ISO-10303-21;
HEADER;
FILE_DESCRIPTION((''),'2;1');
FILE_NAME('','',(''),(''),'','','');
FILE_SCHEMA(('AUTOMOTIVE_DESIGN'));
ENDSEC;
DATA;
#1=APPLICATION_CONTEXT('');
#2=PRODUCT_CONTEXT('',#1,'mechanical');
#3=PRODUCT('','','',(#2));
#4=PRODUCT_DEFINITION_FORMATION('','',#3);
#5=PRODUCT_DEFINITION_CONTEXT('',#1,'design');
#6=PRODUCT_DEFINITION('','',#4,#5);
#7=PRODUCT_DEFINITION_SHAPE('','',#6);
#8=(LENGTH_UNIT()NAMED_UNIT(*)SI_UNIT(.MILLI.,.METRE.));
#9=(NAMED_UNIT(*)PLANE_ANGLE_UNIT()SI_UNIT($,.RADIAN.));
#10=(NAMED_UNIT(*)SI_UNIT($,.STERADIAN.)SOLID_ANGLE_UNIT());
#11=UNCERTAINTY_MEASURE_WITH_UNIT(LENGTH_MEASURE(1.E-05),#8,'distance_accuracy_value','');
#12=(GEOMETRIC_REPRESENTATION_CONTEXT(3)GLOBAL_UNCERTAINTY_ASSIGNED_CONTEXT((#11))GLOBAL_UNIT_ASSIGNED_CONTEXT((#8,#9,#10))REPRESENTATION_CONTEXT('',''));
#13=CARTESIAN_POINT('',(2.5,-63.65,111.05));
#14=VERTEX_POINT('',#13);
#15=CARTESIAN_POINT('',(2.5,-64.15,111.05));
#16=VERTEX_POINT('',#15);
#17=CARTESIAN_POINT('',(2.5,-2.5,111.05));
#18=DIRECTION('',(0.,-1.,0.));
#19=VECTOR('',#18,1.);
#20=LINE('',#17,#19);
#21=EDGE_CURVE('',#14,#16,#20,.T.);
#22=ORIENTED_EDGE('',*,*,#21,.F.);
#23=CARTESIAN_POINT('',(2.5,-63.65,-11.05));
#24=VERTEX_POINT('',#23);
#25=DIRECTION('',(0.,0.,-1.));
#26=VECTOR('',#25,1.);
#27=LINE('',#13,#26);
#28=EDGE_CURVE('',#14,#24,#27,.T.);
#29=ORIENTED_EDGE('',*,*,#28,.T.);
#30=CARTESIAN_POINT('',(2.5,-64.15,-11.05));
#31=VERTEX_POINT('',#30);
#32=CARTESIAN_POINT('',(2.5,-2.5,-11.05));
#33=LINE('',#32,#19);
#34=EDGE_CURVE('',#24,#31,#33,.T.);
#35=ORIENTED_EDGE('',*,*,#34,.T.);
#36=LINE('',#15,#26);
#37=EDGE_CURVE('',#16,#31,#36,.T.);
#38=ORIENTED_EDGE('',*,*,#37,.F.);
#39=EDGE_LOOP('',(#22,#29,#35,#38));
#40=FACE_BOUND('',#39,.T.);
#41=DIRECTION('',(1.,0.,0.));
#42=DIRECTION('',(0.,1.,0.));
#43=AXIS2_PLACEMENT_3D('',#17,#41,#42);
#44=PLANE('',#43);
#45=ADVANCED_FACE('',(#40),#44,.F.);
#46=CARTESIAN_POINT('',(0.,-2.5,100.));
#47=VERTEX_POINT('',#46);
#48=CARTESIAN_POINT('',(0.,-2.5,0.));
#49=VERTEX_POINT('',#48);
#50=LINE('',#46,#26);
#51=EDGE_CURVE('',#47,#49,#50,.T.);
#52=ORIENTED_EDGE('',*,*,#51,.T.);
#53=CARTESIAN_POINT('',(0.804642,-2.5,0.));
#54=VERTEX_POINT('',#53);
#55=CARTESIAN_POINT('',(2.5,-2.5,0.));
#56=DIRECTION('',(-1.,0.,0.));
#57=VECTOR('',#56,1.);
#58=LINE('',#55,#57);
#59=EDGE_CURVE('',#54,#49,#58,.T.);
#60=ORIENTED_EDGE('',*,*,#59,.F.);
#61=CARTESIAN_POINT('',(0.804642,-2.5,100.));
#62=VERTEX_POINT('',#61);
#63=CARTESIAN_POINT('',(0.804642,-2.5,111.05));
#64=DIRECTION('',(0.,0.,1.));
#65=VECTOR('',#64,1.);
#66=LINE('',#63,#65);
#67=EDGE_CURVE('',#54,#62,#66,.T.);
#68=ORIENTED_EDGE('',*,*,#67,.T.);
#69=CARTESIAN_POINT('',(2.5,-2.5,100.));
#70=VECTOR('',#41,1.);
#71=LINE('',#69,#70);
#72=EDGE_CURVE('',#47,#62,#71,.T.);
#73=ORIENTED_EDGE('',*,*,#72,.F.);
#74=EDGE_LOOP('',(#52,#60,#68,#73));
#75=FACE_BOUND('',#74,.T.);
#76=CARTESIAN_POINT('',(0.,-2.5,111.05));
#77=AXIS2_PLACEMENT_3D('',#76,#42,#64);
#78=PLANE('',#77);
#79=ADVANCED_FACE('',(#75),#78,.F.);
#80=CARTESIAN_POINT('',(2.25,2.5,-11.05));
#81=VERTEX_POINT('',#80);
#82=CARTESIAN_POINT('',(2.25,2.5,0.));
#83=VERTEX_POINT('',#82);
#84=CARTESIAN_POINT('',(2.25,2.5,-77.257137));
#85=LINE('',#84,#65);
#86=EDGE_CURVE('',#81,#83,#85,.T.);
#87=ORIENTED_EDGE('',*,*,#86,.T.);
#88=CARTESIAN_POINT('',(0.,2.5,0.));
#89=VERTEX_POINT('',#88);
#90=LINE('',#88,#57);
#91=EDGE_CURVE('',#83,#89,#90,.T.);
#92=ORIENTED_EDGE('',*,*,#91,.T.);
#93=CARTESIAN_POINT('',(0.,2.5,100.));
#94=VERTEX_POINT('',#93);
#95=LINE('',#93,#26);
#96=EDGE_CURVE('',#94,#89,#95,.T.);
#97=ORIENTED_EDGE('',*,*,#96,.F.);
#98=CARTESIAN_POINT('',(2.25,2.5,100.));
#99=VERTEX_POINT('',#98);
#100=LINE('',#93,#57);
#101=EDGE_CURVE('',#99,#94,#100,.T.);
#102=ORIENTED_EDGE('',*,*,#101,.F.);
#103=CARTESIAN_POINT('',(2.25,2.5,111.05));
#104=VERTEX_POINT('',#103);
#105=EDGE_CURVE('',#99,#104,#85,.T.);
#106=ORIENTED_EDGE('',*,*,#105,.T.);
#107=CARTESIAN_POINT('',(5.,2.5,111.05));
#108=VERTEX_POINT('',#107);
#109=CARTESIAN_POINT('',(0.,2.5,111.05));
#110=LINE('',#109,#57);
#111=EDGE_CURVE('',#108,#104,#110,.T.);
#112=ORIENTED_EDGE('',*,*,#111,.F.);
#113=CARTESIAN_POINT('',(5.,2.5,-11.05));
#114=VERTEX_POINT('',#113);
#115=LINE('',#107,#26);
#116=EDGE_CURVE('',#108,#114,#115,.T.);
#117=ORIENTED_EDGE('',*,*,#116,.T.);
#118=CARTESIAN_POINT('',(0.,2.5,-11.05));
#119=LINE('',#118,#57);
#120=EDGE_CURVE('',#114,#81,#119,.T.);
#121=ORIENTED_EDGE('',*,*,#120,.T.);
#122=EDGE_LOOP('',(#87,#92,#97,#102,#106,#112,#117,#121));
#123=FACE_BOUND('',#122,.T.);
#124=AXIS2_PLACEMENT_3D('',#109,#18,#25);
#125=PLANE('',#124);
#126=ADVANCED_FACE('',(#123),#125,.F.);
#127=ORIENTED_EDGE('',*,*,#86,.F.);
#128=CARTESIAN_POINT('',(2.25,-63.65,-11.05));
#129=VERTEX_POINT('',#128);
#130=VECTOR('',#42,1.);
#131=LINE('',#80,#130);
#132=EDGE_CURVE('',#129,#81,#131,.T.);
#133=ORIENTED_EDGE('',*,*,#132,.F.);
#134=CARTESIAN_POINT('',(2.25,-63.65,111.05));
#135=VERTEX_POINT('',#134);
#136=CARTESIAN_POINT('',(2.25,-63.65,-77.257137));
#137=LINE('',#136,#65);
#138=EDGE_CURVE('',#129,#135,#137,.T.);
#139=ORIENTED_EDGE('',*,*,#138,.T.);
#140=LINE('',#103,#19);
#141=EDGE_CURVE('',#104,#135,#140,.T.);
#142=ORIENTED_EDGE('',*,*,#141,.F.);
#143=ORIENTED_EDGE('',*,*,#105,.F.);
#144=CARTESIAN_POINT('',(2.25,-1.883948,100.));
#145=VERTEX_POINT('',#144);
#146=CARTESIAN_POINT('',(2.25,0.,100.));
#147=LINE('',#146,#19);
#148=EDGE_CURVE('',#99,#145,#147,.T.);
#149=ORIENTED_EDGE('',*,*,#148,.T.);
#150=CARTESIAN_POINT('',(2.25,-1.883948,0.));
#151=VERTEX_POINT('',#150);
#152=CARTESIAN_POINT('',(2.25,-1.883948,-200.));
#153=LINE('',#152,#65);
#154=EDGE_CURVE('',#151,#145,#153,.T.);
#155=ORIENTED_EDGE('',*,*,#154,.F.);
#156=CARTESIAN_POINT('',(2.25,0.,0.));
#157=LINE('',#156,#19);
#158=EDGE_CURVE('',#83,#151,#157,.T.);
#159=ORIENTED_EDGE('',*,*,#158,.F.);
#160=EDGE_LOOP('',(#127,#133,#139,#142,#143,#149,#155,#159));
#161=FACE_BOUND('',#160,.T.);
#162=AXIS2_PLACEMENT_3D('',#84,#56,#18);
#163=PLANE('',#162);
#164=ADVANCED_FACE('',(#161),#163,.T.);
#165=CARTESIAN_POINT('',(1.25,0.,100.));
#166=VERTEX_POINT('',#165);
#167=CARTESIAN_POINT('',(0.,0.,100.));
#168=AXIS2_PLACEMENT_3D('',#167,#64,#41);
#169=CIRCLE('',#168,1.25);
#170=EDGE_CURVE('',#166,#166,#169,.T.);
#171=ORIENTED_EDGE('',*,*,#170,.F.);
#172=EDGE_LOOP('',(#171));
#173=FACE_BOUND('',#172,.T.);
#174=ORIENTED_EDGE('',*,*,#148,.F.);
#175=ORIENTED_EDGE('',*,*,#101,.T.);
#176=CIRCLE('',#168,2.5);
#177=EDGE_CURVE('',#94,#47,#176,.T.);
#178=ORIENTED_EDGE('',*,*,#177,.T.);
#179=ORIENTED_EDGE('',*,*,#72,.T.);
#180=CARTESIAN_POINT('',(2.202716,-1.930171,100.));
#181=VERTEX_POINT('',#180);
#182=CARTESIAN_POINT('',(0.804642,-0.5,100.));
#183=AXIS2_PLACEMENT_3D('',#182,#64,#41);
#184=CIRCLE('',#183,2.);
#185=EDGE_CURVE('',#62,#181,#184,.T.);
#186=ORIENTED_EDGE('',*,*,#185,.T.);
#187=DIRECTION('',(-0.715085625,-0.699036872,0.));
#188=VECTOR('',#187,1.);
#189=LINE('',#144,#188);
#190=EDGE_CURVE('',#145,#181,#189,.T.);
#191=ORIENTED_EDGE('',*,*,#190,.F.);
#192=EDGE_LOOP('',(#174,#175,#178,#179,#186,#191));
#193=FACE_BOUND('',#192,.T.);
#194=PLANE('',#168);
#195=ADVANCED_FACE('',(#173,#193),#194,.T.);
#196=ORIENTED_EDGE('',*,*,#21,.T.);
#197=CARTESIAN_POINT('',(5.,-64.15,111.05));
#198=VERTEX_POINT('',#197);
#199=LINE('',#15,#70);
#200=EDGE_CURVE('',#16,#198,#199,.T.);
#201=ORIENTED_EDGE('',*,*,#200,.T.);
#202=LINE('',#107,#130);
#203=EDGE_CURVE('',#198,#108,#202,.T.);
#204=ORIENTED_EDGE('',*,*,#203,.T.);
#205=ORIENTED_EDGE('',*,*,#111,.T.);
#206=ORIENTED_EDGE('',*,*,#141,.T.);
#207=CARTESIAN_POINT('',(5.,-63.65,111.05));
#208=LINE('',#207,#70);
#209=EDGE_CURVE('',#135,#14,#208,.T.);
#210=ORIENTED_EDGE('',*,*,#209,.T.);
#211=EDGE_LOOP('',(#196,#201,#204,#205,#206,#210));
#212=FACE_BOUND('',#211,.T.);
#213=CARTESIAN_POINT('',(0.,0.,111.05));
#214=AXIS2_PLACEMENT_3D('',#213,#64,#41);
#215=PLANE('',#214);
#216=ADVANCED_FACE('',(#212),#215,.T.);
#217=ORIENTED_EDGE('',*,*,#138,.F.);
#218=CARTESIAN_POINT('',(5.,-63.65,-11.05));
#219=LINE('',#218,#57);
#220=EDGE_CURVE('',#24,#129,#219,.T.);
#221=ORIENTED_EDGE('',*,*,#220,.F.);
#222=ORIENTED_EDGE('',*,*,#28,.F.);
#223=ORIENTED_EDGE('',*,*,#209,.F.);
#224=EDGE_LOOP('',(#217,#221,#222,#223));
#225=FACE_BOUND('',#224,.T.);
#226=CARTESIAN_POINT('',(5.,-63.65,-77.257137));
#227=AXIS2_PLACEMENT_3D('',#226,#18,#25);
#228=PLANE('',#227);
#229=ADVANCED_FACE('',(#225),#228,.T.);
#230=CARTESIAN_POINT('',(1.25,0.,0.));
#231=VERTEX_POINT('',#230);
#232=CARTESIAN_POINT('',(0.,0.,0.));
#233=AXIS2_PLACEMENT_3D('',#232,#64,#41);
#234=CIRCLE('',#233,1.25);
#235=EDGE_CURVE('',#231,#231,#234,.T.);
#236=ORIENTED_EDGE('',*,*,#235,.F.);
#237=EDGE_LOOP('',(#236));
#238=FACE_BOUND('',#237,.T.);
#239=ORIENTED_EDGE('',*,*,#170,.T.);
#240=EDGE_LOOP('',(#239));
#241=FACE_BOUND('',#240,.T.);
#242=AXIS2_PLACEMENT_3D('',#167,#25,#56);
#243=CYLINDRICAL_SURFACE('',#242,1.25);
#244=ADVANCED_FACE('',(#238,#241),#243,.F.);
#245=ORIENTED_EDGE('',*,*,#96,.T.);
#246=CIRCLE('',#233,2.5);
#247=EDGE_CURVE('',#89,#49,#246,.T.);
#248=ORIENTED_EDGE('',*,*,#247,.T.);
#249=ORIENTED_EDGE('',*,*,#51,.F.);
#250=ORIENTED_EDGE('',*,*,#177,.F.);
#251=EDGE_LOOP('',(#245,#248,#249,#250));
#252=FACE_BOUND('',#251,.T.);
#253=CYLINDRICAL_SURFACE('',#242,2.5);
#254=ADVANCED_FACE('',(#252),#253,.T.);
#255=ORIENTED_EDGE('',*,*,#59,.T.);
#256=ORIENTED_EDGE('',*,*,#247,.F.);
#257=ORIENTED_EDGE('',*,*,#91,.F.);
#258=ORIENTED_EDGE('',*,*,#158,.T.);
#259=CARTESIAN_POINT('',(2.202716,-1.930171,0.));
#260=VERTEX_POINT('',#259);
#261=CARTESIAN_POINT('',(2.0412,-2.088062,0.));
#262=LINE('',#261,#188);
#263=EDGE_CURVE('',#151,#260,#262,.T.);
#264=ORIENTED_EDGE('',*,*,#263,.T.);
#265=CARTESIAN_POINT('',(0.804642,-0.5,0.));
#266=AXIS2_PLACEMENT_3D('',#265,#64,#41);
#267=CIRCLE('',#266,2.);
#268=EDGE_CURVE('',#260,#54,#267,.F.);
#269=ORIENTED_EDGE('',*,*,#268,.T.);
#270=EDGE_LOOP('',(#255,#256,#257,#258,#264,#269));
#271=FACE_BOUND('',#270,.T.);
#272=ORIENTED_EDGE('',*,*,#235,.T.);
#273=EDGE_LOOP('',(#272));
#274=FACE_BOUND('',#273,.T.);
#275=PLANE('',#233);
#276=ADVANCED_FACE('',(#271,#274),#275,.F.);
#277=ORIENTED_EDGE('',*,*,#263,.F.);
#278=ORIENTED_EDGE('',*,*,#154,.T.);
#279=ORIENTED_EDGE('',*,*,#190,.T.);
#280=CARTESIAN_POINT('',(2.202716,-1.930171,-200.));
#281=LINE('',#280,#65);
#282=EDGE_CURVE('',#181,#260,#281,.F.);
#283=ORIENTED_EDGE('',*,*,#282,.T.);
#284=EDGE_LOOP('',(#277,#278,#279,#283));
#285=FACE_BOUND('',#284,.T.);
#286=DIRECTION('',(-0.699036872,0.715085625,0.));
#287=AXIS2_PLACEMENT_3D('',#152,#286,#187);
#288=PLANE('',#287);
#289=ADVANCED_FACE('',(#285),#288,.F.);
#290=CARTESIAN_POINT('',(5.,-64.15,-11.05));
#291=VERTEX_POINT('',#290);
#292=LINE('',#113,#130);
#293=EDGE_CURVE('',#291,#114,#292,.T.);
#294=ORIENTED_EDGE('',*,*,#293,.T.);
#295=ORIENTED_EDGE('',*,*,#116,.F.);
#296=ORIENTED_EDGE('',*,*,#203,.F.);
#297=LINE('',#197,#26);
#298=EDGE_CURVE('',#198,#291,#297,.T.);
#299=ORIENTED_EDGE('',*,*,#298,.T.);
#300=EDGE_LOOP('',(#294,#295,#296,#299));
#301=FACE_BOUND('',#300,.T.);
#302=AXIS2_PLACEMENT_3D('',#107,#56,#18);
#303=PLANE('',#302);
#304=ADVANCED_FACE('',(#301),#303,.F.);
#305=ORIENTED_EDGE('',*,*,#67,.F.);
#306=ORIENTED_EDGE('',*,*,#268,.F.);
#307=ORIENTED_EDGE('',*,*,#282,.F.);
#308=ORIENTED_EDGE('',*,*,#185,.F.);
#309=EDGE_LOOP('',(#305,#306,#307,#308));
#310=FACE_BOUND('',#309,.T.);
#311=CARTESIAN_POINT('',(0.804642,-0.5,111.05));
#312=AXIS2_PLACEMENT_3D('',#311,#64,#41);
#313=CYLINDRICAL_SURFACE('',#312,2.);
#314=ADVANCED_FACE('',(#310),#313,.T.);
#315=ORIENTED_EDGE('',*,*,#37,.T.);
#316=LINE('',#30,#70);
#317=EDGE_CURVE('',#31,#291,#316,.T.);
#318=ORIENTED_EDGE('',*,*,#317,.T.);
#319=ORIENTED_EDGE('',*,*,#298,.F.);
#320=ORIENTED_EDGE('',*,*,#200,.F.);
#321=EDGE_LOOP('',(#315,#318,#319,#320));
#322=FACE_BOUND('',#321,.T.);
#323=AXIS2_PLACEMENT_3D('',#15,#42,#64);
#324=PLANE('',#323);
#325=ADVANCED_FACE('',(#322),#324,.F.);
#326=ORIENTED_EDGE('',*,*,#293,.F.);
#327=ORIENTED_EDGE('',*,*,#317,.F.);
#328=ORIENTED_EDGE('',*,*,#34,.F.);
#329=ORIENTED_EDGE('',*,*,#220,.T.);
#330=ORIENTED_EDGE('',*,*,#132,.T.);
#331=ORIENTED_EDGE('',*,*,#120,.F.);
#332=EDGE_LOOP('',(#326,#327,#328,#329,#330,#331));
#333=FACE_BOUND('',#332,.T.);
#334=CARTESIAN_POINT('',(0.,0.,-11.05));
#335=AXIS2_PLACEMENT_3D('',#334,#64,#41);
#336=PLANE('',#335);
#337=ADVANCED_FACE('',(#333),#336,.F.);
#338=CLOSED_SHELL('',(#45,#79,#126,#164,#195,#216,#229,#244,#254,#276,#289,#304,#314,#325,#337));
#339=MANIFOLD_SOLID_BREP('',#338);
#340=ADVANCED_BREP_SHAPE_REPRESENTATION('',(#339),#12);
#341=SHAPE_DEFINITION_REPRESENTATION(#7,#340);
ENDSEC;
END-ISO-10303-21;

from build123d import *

# Parameters (mm, degrees)
SCHIZZO4_R                   = 2.5
SCHIZZO4_R_2                 = 1.25
ESTRUSIONE_ESTRUSIONE3_DEPTH = 100
ESTRUSIONE_ESTRUSIONE4_DEPTH = 61.05
SCHIZZO6_W                   = 8.237008172
SCHIZZO6_H                   = 5.970383375
TAGLIO_ESTRUSIONE2_DEPTH     = 119.1
SCHIZZO7_W                   = 6.014694103
SCHIZZO7_H                   = 5.674261039
TAGLIO_ESTRUSIONE3_DEPTH     = 119.1
ESTRUSIONE_ESTRUSIONE5_REACH = 140.017
SCHIZZO8_W                   = 2.75
SCHIZZO8_H                   = 66.15
TAGLIO_ESTRUSIONE4_DEPTH     = 300
RACCORDO1_R                  = 2


with BuildPart() as part:
    # Schizzo4 → Estrusione-Estrusione3 (new body)
    with BuildSketch(Plane.XY):
        Circle(SCHIZZO4_R)
        Circle(SCHIZZO4_R_2, mode=Mode.SUBTRACT)
    extrude(amount=ESTRUSIONE_ESTRUSIONE3_DEPTH)

    # Schizzo5 → Estrusione-Estrusione4 (add, symmetric)
    with BuildSketch(Plane.XY.offset(50)):
        with BuildLine():
            Line((0, 2.5), (5, 2.5))
            Line((5, 2.5), (5, -64.15))
            Line((5, -64.15), (2.5, -64.15))
            Line((2.5, -64.15), (2.5, -2.5))
            Line((2.5, -2.5), (0, -2.5))
            ThreePointArc((0, -2.5), (2.5, 0), (0, 2.5))
        make_face()
    extrude(amount=ESTRUSIONE_ESTRUSIONE4_DEPTH, both=True)

    # Schizzo6 → Taglio-Estrusione2 (cut)
    with BuildSketch(Plane(origin=(0, 0, 0), x_dir=(-1, 0, 0), z_dir=(0, 0, -1))):
        with Locations((1.618504086, 0.485191688)):
            Rectangle(SCHIZZO6_W, SCHIZZO6_H)
    extrude(amount=TAGLIO_ESTRUSIONE2_DEPTH, mode=Mode.SUBTRACT)

    # Schizzo7 → Taglio-Estrusione3 (cut)
    with BuildSketch(Plane.XY.offset(100)):
        with Locations((-0.507347052, 0.33713052)):
            Rectangle(SCHIZZO7_W, SCHIZZO7_H)
    extrude(amount=TAGLIO_ESTRUSIONE3_DEPTH, mode=Mode.SUBTRACT)

    # Estrusione-Estrusione5: up to this face of the body (flat: up to its plane)
    estrusione_estrusione5_end = Plane(part.part.faces().sort_by_distance((3.75, -30.825, -11.05))[0])
    # Schizzo8 → Estrusione-Estrusione5 (add, up to the picked face)
    with BuildSketch(Plane.XY.offset(111.05), mode=Mode.PRIVATE) as estrusione_estrusione5_sk1:
        with Locations((3.625, -30.575)):
            Rectangle(SCHIZZO8_W, SCHIZZO8_H)
    estrusione_estrusione5_tool1 = split(extrude(estrusione_estrusione5_sk1.sketch, amount=-ESTRUSIONE_ESTRUSIONE5_REACH, mode=Mode.PRIVATE), bisect_by=estrusione_estrusione5_end, keep=Keep.BOTH, mode=Mode.PRIVATE)
    add(estrusione_estrusione5_tool1.solids().sort_by(Axis((3.625, -30.575, 111.05), (0, 0, -1)))[0])

    # Schizzo9 → Taglio-Estrusione4 (cut)
    with BuildSketch(Plane.XY.offset(100)):
        Polygon((2.25, -2.5), (2.25, -1.883948392), (1.619804847, -2.5), align=None)
    extrude(amount=-TAGLIO_ESTRUSIONE4_DEPTH, mode=Mode.SUBTRACT)

    # Raccordo1
    raccordo1_edges = [part.edges().sort_by_distance(p)[0] for p in [
        (1.619804847, -2.5, 50),
    ]]
    fillet(raccordo1_edges, radius=RACCORDO1_R)


solid = part.part
